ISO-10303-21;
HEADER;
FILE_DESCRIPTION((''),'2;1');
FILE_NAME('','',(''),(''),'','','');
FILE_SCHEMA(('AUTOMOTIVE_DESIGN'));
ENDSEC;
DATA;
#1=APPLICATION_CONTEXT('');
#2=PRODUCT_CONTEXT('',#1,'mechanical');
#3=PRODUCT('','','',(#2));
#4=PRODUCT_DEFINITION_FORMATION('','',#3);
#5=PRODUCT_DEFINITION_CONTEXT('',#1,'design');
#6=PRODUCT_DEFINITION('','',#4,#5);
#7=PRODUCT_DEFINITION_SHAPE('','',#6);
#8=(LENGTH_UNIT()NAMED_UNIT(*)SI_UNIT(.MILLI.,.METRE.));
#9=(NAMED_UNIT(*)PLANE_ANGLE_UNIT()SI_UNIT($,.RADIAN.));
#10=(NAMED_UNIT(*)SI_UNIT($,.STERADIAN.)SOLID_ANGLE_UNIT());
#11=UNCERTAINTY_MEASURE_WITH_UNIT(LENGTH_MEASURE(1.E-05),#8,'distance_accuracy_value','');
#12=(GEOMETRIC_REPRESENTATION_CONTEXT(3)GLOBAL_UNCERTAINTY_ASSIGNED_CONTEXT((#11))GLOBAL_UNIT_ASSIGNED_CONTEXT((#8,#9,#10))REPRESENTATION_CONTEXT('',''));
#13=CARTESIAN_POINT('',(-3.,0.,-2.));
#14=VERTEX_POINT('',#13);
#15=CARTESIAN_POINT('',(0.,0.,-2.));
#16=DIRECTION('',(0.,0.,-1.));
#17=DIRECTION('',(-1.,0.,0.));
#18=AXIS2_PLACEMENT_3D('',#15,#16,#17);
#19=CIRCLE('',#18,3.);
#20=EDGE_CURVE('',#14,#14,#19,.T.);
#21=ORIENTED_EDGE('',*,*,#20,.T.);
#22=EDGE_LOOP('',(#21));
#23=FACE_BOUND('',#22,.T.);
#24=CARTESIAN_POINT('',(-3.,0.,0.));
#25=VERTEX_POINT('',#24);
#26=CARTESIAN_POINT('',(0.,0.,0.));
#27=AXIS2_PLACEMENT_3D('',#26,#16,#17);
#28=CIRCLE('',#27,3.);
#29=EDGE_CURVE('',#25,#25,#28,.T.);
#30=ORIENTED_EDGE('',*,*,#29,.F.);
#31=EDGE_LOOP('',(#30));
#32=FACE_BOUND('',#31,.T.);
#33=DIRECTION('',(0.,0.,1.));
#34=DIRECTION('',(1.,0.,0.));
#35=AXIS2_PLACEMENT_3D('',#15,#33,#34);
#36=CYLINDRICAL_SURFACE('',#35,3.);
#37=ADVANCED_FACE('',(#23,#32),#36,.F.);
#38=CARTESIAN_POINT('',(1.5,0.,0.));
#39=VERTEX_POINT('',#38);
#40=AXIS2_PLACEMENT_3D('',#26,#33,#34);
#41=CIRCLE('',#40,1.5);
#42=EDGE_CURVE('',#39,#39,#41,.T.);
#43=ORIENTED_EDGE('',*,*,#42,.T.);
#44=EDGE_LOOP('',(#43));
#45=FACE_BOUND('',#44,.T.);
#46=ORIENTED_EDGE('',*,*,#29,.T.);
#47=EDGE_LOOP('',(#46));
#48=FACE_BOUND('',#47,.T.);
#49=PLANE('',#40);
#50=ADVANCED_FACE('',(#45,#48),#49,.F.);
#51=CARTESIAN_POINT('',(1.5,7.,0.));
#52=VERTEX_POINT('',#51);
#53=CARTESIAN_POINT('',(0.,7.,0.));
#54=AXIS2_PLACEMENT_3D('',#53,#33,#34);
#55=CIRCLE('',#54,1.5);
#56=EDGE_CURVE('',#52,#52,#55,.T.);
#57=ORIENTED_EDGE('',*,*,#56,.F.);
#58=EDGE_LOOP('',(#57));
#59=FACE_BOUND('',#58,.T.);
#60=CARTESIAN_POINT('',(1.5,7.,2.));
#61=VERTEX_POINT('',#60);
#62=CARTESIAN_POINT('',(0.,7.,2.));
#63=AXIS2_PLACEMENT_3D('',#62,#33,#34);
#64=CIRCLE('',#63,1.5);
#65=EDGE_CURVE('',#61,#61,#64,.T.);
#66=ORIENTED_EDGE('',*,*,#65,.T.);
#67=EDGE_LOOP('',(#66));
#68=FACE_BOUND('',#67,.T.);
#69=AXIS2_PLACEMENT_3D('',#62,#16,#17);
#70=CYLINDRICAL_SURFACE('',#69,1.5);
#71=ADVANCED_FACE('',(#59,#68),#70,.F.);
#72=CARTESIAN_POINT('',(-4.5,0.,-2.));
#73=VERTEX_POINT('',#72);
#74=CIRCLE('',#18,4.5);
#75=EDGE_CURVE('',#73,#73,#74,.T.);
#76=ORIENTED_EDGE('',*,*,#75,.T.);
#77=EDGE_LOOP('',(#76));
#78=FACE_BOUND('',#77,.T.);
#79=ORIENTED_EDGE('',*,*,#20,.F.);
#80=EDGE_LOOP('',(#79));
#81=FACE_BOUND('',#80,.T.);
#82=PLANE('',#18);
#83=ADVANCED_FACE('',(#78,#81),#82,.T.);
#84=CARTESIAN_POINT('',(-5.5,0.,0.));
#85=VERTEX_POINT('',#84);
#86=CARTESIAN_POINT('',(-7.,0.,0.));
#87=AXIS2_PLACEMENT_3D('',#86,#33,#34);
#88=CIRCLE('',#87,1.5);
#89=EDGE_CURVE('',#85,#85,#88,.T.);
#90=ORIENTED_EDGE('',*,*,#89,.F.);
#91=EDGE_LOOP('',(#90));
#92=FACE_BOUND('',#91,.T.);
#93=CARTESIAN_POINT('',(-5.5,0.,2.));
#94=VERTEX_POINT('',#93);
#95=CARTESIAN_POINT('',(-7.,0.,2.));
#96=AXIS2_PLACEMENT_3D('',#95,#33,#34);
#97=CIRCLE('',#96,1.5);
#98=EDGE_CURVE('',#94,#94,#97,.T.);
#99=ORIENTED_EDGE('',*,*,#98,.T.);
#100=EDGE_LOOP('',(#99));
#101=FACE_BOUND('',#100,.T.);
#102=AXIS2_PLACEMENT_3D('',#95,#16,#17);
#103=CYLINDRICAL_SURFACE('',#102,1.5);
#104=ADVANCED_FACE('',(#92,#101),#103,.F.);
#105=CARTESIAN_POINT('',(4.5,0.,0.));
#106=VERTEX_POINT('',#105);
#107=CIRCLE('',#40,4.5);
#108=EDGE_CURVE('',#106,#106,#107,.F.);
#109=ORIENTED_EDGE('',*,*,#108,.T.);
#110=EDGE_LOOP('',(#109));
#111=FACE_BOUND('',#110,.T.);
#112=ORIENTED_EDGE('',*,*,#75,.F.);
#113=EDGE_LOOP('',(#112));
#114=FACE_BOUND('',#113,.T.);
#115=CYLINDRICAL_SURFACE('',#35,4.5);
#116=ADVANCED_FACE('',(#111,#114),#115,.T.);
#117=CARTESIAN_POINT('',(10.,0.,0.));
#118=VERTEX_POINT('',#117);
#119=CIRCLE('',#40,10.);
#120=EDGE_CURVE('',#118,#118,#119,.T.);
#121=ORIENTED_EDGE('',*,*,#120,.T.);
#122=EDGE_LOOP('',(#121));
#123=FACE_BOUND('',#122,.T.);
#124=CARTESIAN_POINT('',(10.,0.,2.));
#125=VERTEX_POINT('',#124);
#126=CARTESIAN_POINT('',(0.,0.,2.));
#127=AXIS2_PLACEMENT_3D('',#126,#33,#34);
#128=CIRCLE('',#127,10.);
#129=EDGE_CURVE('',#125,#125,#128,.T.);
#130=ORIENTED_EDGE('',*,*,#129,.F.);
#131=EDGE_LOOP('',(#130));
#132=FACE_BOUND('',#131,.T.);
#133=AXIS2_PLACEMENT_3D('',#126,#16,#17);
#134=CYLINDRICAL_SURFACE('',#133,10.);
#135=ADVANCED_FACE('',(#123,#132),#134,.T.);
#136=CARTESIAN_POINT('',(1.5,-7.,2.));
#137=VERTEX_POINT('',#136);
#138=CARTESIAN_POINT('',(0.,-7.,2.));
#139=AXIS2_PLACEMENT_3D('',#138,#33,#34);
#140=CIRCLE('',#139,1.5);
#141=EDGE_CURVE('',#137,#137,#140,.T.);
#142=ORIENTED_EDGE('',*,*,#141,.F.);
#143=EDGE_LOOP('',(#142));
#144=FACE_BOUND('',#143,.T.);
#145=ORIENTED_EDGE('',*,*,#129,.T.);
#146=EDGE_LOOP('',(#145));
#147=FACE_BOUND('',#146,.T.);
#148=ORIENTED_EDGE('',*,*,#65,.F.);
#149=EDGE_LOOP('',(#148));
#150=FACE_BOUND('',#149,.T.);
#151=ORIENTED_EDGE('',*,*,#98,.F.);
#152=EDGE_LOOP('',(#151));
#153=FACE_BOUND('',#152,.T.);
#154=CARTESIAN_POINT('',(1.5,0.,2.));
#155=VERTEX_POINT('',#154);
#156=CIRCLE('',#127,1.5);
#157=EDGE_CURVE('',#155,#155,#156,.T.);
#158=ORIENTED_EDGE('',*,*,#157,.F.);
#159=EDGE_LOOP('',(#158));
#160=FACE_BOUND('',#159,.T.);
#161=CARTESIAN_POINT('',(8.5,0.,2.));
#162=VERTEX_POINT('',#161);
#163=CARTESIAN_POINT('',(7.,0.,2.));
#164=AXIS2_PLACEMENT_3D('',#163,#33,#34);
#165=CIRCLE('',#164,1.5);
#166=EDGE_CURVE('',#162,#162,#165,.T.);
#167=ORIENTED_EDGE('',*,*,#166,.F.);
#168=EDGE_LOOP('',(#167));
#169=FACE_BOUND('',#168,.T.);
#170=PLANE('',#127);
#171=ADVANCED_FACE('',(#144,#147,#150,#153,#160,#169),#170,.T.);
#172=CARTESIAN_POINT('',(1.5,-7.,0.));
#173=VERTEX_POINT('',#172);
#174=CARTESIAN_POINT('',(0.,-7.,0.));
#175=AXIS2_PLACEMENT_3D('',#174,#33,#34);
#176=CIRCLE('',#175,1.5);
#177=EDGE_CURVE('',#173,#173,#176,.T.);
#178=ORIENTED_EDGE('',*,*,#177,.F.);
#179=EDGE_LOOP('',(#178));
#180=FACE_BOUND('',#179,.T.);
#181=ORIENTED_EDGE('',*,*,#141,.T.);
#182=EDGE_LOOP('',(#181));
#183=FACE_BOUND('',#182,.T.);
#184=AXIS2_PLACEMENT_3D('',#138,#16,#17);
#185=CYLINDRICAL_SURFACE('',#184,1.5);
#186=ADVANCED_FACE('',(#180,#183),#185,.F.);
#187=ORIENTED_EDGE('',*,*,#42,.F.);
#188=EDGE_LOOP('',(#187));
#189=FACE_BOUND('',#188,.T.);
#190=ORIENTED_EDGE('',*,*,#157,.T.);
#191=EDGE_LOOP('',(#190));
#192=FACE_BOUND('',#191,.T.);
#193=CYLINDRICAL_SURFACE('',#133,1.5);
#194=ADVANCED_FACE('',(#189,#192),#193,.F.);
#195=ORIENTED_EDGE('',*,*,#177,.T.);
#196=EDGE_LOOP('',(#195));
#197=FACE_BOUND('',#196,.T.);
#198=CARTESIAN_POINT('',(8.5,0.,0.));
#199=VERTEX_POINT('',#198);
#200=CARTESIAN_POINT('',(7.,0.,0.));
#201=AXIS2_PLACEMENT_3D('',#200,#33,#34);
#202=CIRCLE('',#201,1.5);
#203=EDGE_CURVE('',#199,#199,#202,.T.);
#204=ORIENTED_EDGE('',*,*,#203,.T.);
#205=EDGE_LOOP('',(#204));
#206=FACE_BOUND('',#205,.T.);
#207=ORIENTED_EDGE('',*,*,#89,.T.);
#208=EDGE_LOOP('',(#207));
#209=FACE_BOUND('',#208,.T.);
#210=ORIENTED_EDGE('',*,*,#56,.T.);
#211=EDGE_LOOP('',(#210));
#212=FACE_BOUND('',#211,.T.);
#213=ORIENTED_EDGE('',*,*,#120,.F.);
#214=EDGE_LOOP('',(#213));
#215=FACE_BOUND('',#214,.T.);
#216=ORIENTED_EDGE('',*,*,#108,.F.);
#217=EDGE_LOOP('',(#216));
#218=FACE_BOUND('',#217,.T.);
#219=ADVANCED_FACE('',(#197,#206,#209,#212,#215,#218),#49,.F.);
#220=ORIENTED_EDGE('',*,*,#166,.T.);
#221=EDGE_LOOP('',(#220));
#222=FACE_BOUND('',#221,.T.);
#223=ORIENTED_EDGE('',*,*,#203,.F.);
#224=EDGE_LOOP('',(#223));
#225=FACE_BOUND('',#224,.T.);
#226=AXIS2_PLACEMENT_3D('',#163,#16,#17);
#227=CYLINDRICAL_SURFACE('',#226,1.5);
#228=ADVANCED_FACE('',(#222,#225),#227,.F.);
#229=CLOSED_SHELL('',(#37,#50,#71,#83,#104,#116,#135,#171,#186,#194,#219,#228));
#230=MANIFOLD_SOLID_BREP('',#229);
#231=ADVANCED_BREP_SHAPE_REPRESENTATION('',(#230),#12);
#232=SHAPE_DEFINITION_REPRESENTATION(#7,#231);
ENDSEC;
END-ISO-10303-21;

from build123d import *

# Parameters (mm, degrees)
SKETCH_1_R      = 10
SKETCH_1_R_2    = 1.5
EXTRUDE_1_DEPTH = 2
SKETCH_2_R      = 4.5
SKETCH_2_R_2    = 3
EXTRUDE_2_DEPTH = 2


with BuildPart() as part:
    # 草图1 → 凸台-拉伸1 (new body)
    with BuildSketch(Plane.XY):
        Circle(SKETCH_1_R)
        Circle(SKETCH_1_R_2, mode=Mode.SUBTRACT)
        with Locations((0, 7)):
            Circle(SKETCH_1_R_2, mode=Mode.SUBTRACT)
        with Locations((7, 0)):
            Circle(SKETCH_1_R_2, mode=Mode.SUBTRACT)
        with Locations((0, -7)):
            Circle(SKETCH_1_R_2, mode=Mode.SUBTRACT)
        with Locations((-7, 0)):
            Circle(SKETCH_1_R_2, mode=Mode.SUBTRACT)
    extrude(amount=EXTRUDE_1_DEPTH)

    # 草图2 → 凸台-拉伸2 (add)
    with BuildSketch(Plane(origin=(0, 0, 0), x_dir=(-1, 0, 0), z_dir=(0, 0, -1))):
        with Locations(Location((0, 0, 0), (0, 0, 180))):
            Circle(SKETCH_2_R)
        Circle(SKETCH_2_R_2, mode=Mode.SUBTRACT)
    extrude(amount=EXTRUDE_2_DEPTH)


solid = part.part
